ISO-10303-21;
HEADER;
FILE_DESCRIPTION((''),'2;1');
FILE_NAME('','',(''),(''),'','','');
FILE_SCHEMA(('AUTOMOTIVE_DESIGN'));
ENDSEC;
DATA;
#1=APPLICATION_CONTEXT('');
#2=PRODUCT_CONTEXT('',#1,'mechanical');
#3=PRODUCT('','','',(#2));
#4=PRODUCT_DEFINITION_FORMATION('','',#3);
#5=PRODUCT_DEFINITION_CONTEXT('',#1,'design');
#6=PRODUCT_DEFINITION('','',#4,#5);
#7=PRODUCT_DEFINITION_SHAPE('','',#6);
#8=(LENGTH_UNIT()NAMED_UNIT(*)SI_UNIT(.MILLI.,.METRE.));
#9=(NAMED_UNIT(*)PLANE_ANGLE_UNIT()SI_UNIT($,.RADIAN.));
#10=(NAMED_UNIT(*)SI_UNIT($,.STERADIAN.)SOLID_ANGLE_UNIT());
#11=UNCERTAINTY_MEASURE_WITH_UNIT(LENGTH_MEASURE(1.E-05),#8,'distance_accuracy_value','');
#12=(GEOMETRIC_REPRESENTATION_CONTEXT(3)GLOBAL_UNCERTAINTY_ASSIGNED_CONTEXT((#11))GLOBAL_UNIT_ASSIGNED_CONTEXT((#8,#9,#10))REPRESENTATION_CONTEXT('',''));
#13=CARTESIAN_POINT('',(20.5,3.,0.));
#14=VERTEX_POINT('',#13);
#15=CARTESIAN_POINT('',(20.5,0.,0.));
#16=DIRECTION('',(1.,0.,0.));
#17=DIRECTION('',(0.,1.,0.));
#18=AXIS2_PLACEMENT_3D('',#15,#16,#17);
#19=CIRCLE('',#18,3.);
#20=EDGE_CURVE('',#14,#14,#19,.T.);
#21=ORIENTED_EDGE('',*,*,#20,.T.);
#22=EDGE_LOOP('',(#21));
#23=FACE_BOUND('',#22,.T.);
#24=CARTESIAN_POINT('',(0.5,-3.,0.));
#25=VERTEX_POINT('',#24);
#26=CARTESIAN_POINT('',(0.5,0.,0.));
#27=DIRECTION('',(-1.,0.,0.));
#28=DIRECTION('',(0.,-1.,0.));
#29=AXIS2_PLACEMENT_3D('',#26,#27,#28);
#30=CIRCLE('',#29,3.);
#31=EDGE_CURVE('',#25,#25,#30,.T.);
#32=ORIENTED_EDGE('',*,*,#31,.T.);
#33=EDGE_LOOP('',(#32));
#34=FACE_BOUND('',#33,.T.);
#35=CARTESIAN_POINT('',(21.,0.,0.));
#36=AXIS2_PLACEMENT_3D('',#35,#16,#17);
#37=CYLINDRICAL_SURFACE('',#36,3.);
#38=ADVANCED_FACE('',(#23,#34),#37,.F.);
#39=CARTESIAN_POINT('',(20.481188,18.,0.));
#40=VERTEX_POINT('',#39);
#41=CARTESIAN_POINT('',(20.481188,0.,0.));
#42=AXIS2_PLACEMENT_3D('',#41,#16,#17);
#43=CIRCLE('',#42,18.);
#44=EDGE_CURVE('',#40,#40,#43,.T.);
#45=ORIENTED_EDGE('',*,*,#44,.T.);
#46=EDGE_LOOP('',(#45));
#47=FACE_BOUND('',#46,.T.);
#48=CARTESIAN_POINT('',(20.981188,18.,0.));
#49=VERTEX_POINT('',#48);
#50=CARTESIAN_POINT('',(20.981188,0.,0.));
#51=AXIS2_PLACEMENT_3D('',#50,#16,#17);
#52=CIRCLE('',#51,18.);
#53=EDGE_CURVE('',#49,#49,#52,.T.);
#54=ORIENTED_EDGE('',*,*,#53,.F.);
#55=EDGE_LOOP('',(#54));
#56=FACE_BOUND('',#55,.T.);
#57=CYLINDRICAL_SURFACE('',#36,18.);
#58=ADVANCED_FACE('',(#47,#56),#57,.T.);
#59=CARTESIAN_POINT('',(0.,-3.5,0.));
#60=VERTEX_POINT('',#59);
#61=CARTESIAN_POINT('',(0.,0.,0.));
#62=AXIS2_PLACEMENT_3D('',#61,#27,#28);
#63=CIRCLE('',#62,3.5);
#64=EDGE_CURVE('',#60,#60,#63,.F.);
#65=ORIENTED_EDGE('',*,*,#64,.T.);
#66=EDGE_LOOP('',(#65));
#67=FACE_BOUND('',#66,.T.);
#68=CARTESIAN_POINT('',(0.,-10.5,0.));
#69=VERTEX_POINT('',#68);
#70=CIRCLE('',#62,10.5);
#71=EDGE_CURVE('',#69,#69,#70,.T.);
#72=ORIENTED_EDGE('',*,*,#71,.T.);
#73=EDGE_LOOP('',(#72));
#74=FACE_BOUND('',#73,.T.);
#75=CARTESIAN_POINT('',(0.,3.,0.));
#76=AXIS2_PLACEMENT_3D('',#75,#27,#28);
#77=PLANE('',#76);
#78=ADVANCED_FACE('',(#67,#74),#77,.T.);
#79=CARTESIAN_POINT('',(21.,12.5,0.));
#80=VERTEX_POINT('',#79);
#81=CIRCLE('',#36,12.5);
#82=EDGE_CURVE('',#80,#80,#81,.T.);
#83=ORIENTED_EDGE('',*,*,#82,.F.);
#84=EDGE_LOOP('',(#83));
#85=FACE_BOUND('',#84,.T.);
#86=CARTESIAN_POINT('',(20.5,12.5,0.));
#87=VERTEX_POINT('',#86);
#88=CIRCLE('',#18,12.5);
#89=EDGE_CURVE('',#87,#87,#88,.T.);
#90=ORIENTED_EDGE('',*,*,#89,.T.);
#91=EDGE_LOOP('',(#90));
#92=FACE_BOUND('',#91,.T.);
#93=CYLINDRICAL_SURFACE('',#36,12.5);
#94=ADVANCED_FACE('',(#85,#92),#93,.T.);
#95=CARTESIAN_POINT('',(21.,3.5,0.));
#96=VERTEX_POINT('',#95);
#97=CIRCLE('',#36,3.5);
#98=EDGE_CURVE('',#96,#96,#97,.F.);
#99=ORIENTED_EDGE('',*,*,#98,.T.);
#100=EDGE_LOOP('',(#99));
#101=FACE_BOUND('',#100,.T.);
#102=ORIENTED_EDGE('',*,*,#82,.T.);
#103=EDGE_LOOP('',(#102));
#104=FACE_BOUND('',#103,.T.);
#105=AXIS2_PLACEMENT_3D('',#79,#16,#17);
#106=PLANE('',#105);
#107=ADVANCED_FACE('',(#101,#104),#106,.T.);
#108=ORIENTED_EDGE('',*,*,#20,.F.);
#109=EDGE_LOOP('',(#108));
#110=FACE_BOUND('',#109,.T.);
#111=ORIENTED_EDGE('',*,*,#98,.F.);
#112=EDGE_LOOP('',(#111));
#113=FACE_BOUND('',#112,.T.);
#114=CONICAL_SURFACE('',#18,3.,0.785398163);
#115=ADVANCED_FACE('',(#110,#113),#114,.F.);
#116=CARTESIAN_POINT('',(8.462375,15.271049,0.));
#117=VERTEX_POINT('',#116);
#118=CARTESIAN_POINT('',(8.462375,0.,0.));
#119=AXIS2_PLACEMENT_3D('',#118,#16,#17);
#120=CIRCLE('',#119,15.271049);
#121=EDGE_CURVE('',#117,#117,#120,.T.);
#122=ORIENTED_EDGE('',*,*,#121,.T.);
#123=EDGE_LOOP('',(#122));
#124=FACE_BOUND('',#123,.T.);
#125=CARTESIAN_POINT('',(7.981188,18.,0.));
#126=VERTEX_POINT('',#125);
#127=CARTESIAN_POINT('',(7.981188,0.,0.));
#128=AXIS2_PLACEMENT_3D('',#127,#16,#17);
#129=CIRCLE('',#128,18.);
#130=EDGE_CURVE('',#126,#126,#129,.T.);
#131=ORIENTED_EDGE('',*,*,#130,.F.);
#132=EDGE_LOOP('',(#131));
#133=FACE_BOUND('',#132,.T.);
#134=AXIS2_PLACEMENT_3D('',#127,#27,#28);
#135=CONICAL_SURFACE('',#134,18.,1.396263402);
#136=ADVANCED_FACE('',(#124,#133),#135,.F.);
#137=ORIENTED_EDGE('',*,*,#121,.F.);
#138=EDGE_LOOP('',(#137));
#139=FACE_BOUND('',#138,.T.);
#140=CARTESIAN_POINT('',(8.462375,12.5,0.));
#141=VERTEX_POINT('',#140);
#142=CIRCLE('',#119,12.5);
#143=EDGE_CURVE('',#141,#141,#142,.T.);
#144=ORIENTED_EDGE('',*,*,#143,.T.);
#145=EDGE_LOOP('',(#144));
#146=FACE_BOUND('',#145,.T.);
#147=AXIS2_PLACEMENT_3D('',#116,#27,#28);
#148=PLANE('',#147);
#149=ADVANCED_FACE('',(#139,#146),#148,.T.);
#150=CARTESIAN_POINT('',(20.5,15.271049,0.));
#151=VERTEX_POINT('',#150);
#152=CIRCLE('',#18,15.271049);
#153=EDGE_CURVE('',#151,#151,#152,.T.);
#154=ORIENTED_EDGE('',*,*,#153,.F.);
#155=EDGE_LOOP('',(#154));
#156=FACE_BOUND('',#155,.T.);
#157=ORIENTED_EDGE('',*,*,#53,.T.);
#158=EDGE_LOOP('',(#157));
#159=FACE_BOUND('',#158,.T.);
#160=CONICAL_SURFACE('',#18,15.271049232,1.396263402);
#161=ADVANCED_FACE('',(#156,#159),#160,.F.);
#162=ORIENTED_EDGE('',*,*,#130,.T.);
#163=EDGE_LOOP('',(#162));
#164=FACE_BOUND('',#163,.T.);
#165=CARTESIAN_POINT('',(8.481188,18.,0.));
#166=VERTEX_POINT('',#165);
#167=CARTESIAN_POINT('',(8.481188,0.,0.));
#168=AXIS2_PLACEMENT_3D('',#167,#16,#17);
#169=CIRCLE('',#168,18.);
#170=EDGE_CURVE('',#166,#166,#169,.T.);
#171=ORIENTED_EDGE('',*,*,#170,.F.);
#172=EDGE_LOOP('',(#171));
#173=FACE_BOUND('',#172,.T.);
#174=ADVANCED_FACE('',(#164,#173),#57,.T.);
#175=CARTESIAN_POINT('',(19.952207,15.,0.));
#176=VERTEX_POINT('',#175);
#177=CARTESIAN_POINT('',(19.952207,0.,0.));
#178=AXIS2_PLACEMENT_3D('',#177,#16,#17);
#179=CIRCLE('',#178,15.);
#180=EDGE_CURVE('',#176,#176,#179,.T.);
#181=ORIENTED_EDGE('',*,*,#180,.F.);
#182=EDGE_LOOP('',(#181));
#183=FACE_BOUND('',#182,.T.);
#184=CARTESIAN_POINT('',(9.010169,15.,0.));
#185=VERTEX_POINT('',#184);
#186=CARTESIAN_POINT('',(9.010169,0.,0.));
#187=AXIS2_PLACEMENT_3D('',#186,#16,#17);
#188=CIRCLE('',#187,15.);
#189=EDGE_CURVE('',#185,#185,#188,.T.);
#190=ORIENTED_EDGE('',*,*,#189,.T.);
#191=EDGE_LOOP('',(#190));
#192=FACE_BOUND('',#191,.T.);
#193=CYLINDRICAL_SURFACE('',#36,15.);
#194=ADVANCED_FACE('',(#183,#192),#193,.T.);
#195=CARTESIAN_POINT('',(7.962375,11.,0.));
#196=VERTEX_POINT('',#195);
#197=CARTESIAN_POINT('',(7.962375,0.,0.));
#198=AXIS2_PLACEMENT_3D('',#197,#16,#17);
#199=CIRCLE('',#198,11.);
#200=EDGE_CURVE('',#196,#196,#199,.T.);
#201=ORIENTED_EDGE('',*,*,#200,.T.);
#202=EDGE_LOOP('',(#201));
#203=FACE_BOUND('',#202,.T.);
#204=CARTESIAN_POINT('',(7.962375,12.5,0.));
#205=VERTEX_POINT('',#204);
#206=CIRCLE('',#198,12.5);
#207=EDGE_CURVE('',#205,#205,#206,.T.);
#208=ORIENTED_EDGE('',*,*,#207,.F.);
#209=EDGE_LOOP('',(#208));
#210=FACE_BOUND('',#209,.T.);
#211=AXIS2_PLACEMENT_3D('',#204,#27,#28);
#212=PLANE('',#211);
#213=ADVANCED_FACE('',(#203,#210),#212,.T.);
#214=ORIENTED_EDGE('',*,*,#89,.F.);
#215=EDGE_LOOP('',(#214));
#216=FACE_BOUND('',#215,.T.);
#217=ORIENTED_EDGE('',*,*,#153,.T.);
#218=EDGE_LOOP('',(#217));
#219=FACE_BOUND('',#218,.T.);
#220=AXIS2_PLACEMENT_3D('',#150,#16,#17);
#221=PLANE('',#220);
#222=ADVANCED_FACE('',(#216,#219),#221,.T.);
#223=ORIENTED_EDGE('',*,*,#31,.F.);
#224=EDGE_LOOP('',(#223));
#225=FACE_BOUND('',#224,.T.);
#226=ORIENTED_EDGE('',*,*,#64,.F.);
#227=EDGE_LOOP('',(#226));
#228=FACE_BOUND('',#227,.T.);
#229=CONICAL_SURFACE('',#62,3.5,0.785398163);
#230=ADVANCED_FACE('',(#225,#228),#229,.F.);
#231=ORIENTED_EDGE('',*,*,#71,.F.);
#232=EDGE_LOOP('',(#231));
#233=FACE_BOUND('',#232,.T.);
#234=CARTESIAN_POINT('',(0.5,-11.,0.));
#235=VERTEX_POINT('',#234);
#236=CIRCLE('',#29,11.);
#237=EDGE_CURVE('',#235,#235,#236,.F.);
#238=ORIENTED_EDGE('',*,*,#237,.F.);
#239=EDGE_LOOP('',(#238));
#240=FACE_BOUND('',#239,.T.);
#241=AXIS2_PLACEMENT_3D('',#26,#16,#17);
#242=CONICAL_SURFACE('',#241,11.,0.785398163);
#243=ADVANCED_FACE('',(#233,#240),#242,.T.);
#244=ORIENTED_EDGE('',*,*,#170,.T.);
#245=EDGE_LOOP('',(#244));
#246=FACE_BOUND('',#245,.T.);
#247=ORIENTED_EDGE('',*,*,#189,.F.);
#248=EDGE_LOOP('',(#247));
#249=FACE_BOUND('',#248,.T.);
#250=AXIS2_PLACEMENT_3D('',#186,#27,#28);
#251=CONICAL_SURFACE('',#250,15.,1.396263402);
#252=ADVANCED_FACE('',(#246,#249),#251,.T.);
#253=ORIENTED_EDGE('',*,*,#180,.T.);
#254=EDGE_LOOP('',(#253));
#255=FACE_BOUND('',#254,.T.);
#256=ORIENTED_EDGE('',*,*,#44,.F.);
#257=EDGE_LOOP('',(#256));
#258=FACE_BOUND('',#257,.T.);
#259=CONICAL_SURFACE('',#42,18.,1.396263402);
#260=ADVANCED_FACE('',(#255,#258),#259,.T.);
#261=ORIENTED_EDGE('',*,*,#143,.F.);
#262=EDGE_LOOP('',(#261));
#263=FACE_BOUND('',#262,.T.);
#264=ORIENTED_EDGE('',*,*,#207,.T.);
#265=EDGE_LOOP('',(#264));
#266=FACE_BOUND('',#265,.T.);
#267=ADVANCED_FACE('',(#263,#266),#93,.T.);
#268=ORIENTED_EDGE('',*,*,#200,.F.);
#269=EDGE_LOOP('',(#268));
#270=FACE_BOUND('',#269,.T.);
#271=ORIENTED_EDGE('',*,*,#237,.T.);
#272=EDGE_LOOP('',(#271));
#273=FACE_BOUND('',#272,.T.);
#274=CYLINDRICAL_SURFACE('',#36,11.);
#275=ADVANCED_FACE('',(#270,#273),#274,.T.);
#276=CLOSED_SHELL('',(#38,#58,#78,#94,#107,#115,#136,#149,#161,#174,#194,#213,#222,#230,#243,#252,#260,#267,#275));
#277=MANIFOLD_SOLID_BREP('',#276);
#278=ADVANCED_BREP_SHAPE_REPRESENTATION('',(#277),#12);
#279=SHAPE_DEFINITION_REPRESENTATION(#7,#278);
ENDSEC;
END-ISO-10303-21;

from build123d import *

# Parameters (mm, degrees)
FASE1_SIZE = 0.5


with BuildPart() as part:
    # Layout → Rotation1 (revolve)
    with BuildSketch(Plane.XY):
        Polygon((0, 3), (0, 11), (7.962375299, 11), (7.962375299, 12.5), (8.462375299, 12.5), (8.462375299, 15.271049232), (7.981187649, 18), (8.481187649, 18), (9.010168592, 15), (19.952206707, 15), (20.481187649, 18), (20.981187649, 18), (20.5, 15.271049232), (20.5, 12.5), (21, 12.5), (21, 3), align=None)
    revolve(axis=Axis((21, 0, 0), (-1, 0, 0)))

    # Fase1
    fase1_edges = [part.edges().sort_by_distance(p)[0] for p in [
        (0, -11, 0),
        (0, -3, 0),
        (21, -3, 0),
    ]]
    chamfer(fase1_edges, length=FASE1_SIZE)


solid = part.part
